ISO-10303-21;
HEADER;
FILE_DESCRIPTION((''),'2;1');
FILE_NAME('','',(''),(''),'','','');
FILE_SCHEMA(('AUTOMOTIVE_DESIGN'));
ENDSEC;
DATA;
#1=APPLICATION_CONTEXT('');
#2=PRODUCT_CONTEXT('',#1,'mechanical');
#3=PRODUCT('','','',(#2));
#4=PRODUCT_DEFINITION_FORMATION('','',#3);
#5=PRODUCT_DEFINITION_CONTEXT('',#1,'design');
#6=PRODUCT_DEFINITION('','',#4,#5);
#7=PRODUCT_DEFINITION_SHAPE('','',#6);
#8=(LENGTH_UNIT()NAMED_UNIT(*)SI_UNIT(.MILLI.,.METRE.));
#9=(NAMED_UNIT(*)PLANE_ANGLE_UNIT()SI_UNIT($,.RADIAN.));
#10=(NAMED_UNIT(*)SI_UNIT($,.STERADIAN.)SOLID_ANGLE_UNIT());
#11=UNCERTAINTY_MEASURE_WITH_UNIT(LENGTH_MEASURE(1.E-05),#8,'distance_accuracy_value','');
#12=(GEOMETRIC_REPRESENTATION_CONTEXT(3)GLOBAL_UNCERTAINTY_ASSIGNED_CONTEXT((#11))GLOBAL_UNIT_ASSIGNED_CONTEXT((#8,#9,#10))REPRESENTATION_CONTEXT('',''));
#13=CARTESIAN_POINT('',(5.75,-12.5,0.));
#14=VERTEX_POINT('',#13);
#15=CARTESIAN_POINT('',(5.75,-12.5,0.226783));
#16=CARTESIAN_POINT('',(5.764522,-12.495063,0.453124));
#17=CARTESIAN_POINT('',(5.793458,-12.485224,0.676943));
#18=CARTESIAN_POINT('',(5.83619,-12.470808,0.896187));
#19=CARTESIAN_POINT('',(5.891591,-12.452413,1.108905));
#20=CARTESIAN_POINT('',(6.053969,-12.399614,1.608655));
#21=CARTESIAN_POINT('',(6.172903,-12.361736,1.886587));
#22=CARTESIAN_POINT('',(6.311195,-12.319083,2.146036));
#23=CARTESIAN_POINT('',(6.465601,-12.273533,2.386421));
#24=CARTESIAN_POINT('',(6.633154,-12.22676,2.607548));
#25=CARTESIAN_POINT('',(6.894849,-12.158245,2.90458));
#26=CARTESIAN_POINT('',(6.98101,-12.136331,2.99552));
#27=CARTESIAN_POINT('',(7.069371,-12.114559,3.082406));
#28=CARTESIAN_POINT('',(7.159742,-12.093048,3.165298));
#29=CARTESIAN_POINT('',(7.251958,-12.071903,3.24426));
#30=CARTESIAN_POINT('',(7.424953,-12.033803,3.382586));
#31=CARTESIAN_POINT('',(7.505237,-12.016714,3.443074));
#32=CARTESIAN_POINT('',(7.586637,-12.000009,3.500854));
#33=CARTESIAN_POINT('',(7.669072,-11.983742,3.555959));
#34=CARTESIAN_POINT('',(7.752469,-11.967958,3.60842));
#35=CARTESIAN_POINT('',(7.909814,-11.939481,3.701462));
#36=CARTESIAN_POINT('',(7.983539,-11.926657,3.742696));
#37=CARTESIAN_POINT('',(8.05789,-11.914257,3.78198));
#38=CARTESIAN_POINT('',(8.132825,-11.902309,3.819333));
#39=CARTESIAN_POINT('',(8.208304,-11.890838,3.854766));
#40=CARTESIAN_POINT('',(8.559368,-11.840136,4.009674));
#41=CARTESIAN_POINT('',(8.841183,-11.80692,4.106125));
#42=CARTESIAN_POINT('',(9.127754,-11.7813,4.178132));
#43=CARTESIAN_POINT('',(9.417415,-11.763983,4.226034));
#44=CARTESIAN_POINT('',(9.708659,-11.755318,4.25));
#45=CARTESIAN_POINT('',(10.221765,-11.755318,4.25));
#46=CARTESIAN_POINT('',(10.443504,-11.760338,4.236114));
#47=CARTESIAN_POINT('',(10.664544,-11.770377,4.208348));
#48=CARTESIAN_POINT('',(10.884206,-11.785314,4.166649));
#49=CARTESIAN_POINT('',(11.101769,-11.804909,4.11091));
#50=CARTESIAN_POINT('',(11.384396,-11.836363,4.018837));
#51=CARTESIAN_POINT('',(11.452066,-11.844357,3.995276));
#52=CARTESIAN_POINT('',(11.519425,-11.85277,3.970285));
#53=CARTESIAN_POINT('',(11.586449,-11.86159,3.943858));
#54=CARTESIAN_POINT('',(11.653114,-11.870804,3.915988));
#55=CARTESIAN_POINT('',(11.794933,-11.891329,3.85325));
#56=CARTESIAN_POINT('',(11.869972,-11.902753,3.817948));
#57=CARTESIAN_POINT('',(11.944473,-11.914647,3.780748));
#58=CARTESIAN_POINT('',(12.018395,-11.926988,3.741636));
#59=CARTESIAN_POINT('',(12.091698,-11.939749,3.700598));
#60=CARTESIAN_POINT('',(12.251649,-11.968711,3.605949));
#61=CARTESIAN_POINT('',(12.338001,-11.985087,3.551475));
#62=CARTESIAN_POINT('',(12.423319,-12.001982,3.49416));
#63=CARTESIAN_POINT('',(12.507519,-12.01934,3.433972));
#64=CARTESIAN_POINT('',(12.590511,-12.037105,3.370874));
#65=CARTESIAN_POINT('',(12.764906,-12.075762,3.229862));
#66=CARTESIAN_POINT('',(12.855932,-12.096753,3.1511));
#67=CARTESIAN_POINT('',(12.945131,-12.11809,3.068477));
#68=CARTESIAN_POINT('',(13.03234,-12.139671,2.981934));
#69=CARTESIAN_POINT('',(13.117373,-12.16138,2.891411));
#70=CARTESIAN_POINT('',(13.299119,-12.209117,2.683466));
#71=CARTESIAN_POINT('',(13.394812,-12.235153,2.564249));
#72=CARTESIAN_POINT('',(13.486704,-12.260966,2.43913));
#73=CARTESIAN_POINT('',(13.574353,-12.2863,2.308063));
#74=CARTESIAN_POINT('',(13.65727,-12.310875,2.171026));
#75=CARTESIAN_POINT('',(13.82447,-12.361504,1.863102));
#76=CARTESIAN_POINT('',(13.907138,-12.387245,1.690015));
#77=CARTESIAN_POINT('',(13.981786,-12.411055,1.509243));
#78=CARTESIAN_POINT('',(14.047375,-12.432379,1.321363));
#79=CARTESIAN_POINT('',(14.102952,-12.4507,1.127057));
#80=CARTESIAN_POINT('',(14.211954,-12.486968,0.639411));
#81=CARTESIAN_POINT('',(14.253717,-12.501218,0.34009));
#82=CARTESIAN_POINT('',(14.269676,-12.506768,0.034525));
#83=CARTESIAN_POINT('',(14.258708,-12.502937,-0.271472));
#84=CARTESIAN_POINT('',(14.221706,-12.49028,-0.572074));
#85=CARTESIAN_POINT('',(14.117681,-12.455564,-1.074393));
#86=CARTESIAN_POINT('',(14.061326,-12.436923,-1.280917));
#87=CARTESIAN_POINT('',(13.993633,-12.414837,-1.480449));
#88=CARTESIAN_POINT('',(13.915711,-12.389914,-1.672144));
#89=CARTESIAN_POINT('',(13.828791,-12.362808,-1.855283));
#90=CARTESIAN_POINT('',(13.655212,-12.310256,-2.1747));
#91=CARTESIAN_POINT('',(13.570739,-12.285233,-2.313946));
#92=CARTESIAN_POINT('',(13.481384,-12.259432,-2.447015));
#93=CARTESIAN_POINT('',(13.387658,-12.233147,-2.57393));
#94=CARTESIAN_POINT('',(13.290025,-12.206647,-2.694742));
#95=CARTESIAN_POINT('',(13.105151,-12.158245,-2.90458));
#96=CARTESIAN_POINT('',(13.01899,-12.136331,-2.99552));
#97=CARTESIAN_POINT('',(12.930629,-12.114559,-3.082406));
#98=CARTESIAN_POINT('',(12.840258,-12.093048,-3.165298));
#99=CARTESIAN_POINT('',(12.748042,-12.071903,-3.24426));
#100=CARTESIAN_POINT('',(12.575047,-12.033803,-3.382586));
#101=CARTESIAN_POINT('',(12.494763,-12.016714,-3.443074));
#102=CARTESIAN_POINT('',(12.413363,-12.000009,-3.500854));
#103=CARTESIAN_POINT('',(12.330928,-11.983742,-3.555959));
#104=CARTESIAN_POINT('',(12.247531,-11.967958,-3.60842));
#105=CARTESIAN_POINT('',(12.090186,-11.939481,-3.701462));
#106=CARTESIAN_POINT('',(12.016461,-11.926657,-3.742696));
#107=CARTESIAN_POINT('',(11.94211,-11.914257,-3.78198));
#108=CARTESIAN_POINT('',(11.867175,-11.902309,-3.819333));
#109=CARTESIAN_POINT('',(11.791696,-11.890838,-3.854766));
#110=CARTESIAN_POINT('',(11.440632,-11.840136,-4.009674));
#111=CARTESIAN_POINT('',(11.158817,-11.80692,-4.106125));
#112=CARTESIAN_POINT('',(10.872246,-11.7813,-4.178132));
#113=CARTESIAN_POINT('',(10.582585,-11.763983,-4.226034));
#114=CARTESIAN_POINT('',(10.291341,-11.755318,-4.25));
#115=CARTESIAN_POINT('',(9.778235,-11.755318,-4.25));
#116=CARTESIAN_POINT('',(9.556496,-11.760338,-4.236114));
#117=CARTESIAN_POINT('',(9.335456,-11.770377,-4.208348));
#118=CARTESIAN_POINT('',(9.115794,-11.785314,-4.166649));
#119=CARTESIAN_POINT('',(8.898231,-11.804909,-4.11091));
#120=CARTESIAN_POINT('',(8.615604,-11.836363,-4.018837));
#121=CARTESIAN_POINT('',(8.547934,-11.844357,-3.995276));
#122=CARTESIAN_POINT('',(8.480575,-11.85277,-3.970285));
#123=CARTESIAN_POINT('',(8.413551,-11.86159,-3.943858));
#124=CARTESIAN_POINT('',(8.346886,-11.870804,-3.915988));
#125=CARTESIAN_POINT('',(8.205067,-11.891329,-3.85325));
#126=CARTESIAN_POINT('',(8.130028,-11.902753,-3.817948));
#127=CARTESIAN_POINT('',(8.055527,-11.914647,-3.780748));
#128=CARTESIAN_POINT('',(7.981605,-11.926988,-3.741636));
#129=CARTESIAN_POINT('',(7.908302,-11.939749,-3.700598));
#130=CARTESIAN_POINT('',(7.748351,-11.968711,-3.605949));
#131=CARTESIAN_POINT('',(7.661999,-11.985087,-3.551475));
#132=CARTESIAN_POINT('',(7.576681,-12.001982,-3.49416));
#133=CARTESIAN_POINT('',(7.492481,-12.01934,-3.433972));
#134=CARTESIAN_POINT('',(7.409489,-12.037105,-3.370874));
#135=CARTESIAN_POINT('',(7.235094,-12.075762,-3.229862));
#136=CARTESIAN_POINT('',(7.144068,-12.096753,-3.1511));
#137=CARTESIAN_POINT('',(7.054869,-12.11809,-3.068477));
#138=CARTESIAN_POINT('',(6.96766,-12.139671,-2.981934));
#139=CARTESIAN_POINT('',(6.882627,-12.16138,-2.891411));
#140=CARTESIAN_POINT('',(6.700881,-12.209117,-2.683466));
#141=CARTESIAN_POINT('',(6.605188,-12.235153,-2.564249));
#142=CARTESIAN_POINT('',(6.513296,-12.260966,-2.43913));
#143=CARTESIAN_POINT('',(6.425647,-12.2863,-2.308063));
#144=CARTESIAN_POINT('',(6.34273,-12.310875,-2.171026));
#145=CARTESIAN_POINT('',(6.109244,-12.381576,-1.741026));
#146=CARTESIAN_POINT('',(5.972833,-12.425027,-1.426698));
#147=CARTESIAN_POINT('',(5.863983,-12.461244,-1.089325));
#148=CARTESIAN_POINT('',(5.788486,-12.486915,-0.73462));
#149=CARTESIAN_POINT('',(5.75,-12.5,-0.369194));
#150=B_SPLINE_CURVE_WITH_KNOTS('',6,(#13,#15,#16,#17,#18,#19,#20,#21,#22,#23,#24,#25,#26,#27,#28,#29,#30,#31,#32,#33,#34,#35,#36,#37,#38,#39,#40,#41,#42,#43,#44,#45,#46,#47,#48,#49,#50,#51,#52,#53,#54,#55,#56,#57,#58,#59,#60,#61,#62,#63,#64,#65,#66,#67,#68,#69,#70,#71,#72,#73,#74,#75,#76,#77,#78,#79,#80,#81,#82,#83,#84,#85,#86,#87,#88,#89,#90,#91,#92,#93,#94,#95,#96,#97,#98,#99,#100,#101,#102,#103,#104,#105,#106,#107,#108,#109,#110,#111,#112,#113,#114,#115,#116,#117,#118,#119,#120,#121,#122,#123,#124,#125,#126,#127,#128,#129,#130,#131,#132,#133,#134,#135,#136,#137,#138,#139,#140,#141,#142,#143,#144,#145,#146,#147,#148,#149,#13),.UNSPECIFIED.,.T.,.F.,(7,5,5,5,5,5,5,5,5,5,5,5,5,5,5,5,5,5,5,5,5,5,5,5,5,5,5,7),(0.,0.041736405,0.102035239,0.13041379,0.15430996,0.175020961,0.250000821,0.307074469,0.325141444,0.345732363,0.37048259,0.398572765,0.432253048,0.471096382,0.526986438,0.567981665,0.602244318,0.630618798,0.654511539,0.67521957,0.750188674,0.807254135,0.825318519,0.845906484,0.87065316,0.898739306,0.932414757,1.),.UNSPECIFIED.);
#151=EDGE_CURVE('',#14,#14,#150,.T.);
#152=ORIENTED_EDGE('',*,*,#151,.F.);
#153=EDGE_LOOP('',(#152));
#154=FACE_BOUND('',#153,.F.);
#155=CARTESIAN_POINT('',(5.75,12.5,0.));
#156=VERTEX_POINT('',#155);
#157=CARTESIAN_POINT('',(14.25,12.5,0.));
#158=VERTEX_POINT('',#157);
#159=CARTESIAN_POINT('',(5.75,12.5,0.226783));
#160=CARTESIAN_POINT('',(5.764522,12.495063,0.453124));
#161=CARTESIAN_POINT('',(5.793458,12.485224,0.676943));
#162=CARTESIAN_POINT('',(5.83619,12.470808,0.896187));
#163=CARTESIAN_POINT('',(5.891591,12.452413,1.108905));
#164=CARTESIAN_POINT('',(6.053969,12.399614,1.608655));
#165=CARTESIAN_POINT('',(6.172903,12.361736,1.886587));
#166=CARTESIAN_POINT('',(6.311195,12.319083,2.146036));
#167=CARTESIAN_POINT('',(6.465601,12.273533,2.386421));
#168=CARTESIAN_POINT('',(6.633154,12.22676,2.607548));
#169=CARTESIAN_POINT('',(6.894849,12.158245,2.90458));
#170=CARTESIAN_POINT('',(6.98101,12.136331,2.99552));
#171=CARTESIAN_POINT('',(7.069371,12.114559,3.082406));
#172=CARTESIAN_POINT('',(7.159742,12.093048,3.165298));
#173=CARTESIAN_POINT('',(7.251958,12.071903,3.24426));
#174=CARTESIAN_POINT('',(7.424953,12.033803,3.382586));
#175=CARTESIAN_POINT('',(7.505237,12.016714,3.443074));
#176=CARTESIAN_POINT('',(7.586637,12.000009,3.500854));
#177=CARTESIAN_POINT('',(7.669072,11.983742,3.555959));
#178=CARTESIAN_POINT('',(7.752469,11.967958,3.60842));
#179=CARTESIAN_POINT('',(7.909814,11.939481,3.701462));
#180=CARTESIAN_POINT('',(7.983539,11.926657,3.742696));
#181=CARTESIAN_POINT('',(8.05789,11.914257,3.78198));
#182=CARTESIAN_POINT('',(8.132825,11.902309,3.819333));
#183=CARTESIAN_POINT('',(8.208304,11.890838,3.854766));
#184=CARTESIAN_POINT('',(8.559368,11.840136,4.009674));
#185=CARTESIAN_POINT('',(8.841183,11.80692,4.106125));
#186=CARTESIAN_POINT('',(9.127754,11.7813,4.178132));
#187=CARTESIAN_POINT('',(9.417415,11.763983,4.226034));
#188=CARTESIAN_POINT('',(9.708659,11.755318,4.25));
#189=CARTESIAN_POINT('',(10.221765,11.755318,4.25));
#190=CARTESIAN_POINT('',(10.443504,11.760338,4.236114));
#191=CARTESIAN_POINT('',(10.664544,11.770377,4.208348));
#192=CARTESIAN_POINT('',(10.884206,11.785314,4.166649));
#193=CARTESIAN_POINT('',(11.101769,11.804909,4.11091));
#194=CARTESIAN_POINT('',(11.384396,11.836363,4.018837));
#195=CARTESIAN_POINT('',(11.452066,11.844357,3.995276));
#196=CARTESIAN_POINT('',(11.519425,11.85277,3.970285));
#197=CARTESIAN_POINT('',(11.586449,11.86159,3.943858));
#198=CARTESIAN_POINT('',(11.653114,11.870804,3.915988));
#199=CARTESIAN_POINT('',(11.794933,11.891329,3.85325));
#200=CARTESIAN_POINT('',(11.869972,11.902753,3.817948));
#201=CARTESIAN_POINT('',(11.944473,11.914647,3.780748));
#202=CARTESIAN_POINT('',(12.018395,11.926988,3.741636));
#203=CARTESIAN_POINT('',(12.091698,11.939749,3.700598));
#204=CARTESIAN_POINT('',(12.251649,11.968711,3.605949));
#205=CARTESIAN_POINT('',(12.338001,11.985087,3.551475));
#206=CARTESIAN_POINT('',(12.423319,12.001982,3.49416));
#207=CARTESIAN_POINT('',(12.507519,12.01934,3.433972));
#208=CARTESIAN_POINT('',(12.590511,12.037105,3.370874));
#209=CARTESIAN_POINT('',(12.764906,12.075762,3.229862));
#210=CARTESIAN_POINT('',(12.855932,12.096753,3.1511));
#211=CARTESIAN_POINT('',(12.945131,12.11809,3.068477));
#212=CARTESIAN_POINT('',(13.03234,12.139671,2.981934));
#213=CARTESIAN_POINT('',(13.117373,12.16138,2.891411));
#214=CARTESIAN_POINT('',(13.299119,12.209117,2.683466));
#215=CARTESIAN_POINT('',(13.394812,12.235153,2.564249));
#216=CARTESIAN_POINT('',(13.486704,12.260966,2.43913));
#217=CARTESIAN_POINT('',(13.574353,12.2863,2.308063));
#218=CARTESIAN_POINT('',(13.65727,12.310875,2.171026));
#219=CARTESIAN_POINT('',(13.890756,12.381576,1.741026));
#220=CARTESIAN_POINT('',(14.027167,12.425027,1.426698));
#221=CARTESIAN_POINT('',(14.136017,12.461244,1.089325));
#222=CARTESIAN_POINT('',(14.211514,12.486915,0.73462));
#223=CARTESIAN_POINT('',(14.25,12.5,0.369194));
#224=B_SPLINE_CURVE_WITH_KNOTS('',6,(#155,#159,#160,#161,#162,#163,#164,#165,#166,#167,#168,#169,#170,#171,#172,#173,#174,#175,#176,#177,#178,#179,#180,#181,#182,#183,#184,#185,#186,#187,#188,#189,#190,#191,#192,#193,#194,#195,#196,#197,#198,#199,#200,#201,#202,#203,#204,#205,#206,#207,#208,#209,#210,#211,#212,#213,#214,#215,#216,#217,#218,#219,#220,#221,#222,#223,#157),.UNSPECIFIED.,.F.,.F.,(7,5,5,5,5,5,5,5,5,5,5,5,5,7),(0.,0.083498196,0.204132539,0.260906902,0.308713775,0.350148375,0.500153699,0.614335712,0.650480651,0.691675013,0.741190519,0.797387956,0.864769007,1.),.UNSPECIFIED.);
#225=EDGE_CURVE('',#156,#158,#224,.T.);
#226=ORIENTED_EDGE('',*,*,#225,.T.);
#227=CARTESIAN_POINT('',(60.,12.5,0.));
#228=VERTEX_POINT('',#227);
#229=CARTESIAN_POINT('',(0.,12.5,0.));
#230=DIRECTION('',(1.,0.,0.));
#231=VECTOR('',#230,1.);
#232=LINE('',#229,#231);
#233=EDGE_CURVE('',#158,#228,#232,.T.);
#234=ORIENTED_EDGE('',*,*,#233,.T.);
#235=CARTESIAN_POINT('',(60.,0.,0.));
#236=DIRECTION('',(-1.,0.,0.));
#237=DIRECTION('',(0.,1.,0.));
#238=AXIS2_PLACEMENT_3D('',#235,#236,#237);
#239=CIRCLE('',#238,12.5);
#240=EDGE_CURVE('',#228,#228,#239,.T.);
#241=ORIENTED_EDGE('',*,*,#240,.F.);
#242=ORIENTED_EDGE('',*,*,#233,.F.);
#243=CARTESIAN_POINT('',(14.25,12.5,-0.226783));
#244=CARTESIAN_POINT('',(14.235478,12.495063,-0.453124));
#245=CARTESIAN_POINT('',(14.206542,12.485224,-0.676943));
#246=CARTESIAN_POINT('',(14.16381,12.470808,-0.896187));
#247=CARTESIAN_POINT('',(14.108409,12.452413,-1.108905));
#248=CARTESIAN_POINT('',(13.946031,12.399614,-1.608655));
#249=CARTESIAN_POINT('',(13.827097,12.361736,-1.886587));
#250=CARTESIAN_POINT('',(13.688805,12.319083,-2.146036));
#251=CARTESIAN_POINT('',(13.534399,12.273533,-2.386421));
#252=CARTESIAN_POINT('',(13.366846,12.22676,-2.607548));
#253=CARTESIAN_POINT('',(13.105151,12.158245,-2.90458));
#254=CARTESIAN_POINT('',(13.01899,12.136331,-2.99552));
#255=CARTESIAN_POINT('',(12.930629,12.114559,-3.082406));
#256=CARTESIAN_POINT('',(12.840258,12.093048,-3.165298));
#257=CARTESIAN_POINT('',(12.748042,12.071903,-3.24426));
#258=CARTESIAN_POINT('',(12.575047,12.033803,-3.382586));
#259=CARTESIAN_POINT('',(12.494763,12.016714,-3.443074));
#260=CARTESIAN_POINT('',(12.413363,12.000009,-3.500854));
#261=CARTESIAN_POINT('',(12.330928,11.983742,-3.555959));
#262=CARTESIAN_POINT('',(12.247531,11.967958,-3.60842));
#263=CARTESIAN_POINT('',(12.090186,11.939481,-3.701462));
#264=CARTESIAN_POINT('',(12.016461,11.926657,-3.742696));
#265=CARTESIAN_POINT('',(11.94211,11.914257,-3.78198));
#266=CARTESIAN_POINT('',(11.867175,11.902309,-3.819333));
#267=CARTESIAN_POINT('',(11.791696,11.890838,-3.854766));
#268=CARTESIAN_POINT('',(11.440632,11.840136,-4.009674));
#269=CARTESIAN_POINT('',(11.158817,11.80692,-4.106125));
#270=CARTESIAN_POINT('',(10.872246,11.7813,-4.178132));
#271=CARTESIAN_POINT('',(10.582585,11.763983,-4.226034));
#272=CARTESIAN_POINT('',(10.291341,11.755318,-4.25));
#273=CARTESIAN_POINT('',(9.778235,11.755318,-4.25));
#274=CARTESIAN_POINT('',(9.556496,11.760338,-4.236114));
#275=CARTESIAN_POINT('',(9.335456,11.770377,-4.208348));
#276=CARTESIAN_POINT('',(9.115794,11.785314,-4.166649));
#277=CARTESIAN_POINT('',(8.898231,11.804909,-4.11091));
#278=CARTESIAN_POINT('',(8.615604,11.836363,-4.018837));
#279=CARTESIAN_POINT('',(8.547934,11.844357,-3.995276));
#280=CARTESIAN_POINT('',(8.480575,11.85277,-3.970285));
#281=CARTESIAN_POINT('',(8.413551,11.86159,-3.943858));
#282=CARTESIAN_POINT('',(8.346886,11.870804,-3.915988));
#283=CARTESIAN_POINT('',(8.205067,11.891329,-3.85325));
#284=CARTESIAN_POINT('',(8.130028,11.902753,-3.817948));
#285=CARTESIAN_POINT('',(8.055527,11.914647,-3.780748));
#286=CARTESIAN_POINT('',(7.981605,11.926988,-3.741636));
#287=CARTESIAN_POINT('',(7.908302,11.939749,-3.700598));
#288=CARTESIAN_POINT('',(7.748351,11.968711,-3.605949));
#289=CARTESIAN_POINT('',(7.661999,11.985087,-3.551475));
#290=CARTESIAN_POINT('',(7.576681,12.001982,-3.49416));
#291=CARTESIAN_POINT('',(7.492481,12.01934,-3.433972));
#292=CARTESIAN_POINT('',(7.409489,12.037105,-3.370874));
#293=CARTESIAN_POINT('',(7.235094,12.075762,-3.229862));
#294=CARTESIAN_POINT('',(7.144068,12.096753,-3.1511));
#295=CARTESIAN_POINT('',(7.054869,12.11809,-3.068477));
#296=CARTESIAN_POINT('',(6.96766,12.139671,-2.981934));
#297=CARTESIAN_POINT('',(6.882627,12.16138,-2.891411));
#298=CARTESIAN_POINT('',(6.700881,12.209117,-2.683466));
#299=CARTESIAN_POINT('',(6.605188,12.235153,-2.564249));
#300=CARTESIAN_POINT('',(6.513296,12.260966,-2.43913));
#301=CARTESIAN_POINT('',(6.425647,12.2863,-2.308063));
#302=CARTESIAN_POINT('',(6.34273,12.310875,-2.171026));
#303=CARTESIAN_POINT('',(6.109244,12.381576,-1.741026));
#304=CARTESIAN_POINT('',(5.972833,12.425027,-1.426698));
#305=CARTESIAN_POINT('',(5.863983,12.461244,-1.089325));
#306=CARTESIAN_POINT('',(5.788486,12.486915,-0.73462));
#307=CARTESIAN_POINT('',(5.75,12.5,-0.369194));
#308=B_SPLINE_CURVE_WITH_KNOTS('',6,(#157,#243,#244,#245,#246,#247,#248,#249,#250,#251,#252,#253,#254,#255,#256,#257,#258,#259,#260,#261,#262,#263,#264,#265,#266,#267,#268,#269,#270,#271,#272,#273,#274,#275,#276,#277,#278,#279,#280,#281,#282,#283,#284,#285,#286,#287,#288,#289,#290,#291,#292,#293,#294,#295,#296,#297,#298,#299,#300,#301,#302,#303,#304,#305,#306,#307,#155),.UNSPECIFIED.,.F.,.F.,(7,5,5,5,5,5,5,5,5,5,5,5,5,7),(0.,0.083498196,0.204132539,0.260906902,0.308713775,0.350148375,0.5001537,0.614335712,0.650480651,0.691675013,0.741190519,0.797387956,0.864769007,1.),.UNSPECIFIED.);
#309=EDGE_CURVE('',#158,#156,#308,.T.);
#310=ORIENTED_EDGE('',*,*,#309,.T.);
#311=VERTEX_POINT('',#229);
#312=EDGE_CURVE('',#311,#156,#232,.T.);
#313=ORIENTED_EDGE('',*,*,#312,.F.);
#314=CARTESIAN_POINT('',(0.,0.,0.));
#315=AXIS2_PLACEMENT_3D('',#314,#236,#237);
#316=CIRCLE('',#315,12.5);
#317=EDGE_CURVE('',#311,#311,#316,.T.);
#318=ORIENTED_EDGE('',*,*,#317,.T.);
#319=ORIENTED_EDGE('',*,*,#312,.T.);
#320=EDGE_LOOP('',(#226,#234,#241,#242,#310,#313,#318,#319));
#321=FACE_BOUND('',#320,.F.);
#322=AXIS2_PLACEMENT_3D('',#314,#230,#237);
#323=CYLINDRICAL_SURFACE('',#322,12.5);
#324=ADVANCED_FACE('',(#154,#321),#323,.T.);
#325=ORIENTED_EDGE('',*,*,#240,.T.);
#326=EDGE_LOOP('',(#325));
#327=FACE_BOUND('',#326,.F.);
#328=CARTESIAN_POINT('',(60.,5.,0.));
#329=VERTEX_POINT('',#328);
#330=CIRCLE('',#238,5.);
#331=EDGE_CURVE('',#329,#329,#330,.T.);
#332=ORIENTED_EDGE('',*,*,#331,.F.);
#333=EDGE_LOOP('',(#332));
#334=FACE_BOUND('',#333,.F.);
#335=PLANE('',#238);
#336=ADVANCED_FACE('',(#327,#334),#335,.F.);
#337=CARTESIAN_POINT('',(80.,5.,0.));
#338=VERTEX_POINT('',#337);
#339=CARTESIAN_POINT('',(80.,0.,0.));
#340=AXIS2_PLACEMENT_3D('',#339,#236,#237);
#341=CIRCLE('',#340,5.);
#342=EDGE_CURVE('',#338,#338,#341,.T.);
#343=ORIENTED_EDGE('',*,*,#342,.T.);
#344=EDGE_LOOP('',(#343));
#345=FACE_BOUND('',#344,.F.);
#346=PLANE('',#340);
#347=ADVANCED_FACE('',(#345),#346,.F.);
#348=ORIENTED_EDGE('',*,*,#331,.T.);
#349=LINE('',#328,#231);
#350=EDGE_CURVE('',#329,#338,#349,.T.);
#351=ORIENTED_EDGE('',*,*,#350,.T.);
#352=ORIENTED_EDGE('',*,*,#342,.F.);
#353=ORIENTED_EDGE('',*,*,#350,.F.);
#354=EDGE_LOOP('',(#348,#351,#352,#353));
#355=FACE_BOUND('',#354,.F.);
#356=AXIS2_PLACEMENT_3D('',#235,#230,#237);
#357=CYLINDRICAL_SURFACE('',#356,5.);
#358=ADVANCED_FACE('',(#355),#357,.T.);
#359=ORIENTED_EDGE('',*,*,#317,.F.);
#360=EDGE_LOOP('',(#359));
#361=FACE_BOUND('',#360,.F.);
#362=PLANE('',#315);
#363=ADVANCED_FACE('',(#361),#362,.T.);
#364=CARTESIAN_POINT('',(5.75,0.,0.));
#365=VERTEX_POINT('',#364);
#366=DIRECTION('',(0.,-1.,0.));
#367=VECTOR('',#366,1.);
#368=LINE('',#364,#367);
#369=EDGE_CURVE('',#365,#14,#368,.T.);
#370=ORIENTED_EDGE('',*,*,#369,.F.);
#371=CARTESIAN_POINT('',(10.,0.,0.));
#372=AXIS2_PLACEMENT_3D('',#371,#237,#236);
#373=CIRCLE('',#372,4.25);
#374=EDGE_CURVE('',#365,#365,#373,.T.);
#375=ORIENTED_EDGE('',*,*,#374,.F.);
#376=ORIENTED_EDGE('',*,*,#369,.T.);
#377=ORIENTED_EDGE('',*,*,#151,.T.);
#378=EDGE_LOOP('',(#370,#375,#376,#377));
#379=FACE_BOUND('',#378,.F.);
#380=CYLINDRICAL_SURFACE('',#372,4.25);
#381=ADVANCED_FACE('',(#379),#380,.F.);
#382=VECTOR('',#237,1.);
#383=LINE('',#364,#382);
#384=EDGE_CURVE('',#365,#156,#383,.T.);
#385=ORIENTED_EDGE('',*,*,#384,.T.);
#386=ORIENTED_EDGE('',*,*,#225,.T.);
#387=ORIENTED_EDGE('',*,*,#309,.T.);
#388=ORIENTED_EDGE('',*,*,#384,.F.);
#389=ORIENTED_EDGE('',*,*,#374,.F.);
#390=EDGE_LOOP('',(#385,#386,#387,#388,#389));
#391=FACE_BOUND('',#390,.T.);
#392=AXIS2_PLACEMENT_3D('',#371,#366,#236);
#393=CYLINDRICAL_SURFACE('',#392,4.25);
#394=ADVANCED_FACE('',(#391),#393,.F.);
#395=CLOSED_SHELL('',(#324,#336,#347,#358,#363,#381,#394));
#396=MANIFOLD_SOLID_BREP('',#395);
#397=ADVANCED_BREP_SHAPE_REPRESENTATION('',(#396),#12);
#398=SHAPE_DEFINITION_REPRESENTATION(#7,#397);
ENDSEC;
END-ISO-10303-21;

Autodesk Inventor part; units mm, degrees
ref_plane "YZ Plane" through (0, 0, 0) normal (1, 0, 0) x (0, 1, 0)
ref_plane "XZ Plane" through (0, 0, 0) normal (0, 1, 0) x (-1, 0, 0)
ref_plane "XY Plane" through (0, 0, 0) normal (0, 0, 1) x (1, 0, 0)
sketch "Boceto3" plane through (0, 0, 0) normal (0, 0, 1) x (1, 0, 0)
  line L0 (0, 0) -> (0, 12.5)
  line L1 (0, 12.5) -> (60, 12.5)
  line L2 (60, 12.5) -> (60, 5)
  line L3 (60, 5) -> (80, 5)
  line L4 (80, 5) -> (80, 0)
  line L5 (80, 0) -> (0, 0)
  dimension "d16" = 12.5
  dimension "d17" = 60
  dimension "d18" = 20
  dimension "d19" = 5
revolve "Revolución1" add sketch "Boceto3" angle 360 about axis through (80, 0, 0) along (-1, 0, 0)
sketch "Boceto4" plane through (0, 0, 0) normal (0, 1, 0) x (-1, 0, 0)
  circle A0 centre (-10, 0) radius 4.25
  line L0 (-60, 12.5) -> (-60, -12.5) projected
  point P0 (0, 0)
  dimension "d21" = 8.5
  dimension "d22" = 50
extrude "Extrusión3" cut sketch "Boceto4" along normal through all both and the other way through all
thread "Rosca3" size "M10x1.5" class "6H" standard "ANSI Metric M Profile" full length
thread "Rosca4" size "M10x1.5" class "6g" standard "ANSI Metric M Profile" full length
properties part number "brazos_planetarios1" material "Nilón 6/6"
